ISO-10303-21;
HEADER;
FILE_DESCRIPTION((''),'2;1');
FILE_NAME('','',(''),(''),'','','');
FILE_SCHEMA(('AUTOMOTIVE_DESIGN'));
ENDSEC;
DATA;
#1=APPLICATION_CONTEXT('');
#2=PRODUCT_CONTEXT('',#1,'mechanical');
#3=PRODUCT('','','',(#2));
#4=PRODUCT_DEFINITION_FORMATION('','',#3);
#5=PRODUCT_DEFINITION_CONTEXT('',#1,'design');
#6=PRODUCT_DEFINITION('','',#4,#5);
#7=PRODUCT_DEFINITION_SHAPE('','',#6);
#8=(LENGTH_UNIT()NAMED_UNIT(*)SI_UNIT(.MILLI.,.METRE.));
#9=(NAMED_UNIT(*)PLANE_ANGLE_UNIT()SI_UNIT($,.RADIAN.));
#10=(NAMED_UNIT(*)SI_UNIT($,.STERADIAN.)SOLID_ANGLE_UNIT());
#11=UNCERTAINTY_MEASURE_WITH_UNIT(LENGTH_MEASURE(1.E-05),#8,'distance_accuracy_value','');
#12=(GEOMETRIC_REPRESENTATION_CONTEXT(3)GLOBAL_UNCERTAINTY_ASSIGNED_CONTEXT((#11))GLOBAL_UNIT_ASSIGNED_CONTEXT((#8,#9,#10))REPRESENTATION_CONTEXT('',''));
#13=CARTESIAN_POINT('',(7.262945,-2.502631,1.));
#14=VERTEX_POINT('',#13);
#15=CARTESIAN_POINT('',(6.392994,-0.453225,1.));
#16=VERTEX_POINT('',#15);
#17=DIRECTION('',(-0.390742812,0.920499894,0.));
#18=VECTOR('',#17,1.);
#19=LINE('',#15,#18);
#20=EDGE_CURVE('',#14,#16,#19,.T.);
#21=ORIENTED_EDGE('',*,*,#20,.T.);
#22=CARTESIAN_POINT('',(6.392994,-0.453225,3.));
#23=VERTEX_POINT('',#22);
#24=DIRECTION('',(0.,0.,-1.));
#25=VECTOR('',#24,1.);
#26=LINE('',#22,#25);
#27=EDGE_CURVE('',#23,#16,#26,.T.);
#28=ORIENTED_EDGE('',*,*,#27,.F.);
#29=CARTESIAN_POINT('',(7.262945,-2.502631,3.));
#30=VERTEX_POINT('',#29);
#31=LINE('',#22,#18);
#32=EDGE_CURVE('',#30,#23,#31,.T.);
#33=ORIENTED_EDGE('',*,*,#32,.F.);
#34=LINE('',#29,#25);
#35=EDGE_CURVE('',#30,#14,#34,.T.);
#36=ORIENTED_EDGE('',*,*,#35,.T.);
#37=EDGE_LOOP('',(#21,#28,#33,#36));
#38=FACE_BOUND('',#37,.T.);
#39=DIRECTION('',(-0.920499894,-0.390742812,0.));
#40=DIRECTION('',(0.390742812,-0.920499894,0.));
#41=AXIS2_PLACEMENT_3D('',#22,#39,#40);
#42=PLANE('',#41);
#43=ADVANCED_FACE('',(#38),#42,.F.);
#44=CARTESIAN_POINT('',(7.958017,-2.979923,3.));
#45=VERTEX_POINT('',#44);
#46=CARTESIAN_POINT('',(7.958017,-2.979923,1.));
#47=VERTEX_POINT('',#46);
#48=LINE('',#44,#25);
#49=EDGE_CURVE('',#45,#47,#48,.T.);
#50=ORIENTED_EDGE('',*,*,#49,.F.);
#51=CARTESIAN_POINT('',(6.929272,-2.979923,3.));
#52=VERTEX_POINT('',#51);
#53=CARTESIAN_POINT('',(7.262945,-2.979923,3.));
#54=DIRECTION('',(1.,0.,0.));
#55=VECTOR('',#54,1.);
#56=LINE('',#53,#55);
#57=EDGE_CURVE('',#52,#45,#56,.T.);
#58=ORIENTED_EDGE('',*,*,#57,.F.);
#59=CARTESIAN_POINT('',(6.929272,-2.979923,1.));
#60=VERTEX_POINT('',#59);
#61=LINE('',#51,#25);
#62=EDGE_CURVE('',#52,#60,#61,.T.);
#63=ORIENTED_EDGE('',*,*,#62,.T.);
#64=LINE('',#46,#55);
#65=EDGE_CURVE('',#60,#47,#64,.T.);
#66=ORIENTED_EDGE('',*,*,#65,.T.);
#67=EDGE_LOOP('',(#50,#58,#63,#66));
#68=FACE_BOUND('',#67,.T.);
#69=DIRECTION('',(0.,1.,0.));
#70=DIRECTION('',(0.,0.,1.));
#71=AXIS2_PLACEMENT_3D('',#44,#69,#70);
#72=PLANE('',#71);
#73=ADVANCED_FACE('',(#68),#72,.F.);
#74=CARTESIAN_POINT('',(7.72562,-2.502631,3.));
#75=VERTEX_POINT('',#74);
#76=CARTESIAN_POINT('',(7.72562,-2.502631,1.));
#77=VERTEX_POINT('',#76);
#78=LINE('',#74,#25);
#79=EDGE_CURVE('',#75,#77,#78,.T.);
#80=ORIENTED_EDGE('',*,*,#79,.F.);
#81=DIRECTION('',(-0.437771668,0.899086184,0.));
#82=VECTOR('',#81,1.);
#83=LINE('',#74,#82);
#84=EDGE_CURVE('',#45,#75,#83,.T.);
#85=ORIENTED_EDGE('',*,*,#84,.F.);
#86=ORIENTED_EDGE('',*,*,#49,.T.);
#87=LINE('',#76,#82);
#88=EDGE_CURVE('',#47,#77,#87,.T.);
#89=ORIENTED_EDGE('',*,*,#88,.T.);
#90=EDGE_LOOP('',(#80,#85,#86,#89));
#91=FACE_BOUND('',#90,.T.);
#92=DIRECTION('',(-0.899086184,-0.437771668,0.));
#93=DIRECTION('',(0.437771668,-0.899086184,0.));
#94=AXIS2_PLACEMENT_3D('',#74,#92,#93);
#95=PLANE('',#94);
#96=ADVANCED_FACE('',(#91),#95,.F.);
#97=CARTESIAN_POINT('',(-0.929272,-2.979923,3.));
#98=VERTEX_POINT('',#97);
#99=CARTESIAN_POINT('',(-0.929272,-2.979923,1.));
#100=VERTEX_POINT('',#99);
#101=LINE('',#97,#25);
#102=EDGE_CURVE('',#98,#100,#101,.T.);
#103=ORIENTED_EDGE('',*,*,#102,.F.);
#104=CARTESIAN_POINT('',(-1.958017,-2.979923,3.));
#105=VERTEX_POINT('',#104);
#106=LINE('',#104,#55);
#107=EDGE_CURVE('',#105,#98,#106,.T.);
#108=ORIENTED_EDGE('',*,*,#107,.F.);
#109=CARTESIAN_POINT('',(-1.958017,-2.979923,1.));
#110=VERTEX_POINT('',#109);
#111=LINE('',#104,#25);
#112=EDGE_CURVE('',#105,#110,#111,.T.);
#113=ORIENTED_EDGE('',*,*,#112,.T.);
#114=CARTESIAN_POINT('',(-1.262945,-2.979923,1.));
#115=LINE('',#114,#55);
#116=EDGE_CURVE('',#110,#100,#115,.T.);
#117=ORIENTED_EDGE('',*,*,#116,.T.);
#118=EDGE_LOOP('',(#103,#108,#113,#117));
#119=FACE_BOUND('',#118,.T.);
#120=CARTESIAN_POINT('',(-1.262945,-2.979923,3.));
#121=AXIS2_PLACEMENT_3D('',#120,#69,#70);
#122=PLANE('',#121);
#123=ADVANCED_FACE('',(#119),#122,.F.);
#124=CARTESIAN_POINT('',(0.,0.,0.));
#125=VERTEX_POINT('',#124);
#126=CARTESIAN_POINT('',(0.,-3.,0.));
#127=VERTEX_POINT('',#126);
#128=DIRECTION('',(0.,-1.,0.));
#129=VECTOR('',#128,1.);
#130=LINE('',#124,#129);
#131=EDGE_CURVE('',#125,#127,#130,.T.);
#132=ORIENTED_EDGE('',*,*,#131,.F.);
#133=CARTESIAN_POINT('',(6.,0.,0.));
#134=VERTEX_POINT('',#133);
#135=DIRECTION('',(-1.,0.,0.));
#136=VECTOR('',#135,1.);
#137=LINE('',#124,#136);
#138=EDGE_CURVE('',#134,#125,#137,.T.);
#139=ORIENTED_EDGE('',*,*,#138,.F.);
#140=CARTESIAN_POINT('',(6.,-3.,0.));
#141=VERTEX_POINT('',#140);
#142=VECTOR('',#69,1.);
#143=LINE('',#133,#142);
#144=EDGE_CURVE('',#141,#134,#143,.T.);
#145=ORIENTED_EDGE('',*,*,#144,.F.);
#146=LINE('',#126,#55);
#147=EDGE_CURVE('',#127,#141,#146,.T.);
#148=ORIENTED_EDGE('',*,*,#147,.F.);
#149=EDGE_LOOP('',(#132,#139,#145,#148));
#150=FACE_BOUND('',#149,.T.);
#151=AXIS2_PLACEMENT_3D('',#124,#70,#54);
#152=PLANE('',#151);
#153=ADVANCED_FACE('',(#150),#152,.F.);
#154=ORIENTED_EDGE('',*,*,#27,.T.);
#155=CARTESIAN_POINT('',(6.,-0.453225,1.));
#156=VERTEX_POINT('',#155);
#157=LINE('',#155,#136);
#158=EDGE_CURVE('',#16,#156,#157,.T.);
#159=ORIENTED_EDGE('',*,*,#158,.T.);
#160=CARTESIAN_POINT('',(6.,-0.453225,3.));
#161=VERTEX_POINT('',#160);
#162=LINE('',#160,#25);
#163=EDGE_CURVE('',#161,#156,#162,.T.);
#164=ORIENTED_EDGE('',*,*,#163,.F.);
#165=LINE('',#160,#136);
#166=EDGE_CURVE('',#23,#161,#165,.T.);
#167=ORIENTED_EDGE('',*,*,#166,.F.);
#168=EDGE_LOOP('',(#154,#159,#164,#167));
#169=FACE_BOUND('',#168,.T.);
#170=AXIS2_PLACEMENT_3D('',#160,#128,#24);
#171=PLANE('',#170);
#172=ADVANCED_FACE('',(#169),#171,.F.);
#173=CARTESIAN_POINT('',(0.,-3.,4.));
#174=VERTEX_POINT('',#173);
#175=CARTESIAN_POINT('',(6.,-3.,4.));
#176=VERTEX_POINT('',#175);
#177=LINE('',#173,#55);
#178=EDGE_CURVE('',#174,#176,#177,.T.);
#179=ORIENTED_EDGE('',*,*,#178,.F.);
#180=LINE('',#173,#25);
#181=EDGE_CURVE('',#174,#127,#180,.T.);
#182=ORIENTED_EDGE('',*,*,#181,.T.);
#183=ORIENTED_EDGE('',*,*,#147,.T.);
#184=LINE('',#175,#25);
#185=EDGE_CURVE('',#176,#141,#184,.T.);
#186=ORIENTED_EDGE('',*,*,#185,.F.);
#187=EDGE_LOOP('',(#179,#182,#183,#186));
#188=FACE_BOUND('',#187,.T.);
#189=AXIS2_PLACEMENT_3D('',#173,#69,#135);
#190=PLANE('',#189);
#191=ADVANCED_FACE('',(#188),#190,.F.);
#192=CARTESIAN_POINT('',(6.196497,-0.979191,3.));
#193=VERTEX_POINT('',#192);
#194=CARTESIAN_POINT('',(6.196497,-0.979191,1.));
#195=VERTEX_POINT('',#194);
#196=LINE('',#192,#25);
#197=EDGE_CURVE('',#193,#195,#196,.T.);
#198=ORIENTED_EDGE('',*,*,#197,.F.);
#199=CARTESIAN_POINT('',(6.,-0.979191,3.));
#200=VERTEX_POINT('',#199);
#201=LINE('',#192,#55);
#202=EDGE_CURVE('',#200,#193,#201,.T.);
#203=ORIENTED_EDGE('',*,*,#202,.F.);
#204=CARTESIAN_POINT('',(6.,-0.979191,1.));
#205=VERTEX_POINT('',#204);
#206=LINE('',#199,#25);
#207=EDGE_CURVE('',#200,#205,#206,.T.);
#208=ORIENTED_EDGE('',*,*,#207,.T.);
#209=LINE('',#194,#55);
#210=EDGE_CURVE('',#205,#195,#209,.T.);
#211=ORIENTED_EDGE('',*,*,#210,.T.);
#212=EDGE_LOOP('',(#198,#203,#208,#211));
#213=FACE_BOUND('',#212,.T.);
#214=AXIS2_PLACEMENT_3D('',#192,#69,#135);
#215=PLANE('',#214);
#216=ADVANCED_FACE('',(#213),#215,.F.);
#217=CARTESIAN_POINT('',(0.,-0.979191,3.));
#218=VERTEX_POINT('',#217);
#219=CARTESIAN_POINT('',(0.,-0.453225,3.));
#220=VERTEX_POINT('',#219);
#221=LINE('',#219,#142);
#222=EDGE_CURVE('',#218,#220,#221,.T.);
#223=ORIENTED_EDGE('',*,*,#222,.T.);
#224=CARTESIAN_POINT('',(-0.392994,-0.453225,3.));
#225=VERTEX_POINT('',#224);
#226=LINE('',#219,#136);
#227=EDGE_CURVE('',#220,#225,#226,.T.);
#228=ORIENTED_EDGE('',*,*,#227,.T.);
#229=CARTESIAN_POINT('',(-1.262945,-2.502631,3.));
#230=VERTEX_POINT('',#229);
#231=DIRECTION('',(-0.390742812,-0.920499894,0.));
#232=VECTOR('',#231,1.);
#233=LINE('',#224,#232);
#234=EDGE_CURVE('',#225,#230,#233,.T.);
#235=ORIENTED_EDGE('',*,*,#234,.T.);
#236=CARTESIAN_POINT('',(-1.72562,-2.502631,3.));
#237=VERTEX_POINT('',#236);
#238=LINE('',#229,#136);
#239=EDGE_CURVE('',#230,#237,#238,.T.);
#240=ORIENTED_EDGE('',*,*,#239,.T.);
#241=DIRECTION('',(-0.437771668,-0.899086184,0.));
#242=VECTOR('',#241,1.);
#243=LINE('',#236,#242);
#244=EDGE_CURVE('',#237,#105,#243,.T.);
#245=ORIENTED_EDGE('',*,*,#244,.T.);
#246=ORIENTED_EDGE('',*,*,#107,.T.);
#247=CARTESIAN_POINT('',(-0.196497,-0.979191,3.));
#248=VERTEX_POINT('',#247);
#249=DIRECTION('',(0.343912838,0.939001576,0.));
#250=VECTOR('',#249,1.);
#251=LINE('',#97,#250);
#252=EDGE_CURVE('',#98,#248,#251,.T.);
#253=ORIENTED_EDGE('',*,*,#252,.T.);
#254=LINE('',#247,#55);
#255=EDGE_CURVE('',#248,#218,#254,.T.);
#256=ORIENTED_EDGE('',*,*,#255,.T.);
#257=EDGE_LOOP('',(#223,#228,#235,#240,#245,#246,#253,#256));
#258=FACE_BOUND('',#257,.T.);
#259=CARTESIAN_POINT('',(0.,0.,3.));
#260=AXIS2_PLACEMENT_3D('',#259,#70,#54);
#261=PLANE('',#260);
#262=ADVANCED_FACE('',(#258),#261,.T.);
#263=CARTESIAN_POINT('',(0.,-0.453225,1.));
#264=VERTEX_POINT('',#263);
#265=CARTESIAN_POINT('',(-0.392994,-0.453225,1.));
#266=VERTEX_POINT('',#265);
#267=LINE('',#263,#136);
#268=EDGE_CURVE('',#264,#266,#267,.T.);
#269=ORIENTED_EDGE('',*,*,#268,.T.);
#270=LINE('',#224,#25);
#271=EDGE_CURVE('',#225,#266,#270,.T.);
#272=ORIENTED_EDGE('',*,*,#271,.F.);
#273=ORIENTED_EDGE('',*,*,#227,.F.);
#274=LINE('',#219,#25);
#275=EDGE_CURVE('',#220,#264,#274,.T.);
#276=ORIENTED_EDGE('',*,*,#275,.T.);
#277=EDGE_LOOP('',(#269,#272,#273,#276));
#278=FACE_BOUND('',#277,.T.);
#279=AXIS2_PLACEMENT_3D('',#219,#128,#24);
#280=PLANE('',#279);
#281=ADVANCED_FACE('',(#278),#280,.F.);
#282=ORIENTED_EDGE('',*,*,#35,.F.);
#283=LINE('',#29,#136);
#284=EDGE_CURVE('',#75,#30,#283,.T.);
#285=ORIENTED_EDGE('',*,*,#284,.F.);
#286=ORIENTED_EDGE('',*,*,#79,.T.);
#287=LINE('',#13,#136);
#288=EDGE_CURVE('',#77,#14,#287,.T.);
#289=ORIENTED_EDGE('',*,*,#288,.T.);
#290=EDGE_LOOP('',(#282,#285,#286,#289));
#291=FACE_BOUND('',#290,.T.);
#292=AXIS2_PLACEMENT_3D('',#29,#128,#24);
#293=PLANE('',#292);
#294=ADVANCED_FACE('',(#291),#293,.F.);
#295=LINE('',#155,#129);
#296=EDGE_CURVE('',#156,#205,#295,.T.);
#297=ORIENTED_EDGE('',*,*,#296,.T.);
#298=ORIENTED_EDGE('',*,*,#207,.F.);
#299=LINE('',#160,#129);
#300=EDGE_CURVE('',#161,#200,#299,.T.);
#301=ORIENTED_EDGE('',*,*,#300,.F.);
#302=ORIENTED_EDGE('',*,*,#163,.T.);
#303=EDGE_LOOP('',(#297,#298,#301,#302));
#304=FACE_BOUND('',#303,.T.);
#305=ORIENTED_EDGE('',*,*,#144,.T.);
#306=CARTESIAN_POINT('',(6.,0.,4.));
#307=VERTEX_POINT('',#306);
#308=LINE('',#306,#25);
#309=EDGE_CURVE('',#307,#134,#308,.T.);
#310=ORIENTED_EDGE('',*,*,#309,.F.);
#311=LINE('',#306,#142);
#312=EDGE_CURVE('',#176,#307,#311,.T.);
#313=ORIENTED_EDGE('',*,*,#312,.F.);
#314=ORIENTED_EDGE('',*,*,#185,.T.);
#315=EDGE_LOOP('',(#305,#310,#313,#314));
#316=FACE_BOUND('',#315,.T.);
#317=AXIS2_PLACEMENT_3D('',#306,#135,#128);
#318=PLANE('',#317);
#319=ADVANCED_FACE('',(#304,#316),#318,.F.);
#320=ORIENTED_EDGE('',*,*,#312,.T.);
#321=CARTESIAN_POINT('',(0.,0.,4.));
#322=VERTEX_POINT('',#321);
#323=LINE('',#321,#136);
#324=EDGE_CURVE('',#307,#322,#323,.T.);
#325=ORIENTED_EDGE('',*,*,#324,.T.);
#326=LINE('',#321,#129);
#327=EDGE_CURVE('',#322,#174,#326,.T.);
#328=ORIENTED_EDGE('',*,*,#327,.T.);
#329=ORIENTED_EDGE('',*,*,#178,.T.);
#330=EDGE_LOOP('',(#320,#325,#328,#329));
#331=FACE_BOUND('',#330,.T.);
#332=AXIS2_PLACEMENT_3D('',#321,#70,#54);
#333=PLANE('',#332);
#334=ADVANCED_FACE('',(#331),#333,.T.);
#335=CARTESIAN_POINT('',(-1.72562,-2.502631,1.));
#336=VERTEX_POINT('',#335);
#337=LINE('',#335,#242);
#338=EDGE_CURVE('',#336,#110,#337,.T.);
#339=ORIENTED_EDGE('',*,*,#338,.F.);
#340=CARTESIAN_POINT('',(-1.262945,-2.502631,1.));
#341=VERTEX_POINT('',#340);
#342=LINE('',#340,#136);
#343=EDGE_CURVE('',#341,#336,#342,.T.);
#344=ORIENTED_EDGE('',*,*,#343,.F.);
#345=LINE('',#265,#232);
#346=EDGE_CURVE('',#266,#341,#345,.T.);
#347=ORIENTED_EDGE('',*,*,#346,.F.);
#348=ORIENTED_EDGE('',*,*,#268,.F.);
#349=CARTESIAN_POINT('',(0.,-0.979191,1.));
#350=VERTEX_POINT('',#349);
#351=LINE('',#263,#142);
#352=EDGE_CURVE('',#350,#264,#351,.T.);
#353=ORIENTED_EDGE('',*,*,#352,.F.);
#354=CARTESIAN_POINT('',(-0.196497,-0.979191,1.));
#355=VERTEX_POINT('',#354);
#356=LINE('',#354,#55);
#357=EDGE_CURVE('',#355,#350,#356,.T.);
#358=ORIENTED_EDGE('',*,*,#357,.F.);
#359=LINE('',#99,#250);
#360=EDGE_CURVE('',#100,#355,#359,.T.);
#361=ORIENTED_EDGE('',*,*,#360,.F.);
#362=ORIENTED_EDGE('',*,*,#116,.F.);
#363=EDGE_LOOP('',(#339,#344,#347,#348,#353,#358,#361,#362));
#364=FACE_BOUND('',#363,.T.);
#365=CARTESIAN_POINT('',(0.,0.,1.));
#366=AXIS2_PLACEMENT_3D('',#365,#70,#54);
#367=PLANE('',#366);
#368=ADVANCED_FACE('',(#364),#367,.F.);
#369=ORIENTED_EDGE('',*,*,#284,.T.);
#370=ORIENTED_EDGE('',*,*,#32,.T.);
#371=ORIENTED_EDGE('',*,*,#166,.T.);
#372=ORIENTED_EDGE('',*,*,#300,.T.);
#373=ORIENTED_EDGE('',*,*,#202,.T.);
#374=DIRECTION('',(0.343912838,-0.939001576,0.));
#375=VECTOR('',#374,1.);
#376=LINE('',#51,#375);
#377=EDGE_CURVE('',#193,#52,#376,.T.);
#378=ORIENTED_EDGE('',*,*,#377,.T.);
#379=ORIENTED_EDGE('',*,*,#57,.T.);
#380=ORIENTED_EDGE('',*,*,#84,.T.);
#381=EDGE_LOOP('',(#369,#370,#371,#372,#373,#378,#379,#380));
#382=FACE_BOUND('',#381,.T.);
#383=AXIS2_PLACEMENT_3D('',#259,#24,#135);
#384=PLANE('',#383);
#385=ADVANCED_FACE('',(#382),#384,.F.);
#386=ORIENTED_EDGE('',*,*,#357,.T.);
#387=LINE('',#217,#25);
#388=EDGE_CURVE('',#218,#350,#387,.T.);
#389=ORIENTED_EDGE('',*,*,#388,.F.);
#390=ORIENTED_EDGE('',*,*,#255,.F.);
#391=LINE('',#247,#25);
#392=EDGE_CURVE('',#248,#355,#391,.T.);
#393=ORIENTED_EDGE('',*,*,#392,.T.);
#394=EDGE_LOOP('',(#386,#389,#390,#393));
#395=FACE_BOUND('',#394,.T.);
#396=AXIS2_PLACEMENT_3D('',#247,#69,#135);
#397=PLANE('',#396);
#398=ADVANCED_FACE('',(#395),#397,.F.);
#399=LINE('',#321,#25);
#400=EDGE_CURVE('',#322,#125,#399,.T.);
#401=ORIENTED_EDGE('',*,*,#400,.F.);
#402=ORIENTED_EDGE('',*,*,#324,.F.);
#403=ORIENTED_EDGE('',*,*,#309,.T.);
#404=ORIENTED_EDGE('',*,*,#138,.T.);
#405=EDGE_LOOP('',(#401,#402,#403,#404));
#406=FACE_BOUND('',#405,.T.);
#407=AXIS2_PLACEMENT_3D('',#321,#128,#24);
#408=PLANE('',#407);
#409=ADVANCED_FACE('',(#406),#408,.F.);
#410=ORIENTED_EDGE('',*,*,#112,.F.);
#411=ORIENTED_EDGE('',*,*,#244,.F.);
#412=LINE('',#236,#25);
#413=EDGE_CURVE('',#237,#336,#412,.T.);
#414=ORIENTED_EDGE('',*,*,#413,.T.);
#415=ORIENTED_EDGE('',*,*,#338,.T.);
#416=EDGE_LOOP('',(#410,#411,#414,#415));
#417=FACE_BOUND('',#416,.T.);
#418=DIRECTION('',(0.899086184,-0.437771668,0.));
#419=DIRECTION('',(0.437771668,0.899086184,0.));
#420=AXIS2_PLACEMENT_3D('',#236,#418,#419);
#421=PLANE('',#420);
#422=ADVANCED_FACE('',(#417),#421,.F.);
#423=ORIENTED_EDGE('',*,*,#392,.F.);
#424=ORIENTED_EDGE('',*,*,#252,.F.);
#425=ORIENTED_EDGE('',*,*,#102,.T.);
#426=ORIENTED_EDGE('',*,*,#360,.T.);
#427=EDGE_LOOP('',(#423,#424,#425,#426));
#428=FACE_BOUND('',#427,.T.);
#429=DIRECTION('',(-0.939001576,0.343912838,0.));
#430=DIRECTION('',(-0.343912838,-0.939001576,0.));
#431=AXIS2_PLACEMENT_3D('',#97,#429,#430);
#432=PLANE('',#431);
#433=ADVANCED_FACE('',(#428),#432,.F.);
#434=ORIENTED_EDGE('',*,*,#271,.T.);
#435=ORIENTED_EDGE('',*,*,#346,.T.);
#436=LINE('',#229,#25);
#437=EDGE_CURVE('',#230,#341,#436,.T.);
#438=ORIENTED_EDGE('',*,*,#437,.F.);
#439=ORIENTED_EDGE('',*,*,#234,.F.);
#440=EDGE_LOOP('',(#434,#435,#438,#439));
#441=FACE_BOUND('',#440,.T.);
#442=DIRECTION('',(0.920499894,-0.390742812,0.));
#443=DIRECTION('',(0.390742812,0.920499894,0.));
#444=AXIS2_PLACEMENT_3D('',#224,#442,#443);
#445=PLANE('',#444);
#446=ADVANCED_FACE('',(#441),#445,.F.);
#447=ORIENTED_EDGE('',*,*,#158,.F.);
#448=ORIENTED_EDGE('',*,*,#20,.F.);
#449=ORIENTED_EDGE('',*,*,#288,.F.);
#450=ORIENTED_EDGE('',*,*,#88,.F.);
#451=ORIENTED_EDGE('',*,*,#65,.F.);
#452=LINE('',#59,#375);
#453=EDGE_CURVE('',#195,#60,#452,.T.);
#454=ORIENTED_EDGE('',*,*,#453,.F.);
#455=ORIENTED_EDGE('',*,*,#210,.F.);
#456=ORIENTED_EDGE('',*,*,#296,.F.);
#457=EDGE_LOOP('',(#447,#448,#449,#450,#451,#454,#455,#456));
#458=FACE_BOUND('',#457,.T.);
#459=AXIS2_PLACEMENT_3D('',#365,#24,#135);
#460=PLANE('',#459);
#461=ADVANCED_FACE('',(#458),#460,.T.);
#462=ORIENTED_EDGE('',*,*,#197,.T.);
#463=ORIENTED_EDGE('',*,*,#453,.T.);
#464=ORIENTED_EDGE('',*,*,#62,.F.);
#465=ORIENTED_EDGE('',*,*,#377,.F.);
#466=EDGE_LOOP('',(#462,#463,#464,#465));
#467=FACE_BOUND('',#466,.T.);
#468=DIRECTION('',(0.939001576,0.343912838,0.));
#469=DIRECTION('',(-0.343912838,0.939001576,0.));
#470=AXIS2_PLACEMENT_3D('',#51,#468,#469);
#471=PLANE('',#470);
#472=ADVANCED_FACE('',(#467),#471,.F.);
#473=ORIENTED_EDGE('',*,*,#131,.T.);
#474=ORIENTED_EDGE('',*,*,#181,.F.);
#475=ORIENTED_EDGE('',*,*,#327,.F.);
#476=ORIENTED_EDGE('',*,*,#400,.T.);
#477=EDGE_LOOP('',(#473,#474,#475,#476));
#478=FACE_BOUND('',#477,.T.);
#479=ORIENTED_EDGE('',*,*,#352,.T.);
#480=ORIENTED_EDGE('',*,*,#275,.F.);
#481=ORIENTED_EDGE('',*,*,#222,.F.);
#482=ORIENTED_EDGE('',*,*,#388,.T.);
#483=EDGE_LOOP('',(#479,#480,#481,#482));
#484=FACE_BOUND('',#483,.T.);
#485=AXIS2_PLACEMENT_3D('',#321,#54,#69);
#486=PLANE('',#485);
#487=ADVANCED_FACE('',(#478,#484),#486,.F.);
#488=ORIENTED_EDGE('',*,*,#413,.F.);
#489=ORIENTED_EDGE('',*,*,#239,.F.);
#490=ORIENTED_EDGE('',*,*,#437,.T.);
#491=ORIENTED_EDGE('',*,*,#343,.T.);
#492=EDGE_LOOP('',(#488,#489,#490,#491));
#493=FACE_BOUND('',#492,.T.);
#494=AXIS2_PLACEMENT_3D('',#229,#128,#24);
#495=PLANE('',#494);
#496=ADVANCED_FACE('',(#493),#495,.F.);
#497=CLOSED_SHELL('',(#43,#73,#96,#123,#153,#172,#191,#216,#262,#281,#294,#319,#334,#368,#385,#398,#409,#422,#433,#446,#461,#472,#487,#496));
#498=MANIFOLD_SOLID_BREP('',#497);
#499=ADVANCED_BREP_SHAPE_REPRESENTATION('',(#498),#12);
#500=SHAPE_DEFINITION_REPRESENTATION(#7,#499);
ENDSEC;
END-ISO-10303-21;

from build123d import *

# Parameters (mm, degrees)
SKETCH_1_W      = 6
SKETCH_1_H      = 3
EXTRUDE_1_DEPTH = 4
EXTRUDE_2_DEPTH = 1


with BuildPart() as part:
    # 草图1 → 凸台-拉伸1 (new body)
    with BuildSketch(Plane.XY):
        with Locations((3, -1.5)):
            Rectangle(SKETCH_1_W, SKETCH_1_H)
    extrude(amount=EXTRUDE_1_DEPTH)

    # 草图2 → 凸台-拉伸2 (add, symmetric)
    with BuildSketch(Plane.XY.offset(2)):
        Polygon((0, -0.453225327), (-0.392993769, -0.453225327), (-1.262945453, -2.502630735), (-1.725619725, -2.502630735), (-1.958016745, -2.979922814), (-1.262945453, -2.979922814), (-0.92927242, -2.979922814), (-0.196496885, -0.979190926), (0, -0.979190926), align=None)
        Polygon((7.725619725, -2.502630735), (7.958016745, -2.979922814), (7.262945453, -2.979922814), (6.92927242, -2.979922814), (6.196496885, -0.979190926), (6, -0.979190926), (6, -0.453225327), (6.392993769, -0.453225327), (7.262945453, -2.502630735), align=None)
    extrude(amount=EXTRUDE_2_DEPTH, both=True)


solid = part.part
